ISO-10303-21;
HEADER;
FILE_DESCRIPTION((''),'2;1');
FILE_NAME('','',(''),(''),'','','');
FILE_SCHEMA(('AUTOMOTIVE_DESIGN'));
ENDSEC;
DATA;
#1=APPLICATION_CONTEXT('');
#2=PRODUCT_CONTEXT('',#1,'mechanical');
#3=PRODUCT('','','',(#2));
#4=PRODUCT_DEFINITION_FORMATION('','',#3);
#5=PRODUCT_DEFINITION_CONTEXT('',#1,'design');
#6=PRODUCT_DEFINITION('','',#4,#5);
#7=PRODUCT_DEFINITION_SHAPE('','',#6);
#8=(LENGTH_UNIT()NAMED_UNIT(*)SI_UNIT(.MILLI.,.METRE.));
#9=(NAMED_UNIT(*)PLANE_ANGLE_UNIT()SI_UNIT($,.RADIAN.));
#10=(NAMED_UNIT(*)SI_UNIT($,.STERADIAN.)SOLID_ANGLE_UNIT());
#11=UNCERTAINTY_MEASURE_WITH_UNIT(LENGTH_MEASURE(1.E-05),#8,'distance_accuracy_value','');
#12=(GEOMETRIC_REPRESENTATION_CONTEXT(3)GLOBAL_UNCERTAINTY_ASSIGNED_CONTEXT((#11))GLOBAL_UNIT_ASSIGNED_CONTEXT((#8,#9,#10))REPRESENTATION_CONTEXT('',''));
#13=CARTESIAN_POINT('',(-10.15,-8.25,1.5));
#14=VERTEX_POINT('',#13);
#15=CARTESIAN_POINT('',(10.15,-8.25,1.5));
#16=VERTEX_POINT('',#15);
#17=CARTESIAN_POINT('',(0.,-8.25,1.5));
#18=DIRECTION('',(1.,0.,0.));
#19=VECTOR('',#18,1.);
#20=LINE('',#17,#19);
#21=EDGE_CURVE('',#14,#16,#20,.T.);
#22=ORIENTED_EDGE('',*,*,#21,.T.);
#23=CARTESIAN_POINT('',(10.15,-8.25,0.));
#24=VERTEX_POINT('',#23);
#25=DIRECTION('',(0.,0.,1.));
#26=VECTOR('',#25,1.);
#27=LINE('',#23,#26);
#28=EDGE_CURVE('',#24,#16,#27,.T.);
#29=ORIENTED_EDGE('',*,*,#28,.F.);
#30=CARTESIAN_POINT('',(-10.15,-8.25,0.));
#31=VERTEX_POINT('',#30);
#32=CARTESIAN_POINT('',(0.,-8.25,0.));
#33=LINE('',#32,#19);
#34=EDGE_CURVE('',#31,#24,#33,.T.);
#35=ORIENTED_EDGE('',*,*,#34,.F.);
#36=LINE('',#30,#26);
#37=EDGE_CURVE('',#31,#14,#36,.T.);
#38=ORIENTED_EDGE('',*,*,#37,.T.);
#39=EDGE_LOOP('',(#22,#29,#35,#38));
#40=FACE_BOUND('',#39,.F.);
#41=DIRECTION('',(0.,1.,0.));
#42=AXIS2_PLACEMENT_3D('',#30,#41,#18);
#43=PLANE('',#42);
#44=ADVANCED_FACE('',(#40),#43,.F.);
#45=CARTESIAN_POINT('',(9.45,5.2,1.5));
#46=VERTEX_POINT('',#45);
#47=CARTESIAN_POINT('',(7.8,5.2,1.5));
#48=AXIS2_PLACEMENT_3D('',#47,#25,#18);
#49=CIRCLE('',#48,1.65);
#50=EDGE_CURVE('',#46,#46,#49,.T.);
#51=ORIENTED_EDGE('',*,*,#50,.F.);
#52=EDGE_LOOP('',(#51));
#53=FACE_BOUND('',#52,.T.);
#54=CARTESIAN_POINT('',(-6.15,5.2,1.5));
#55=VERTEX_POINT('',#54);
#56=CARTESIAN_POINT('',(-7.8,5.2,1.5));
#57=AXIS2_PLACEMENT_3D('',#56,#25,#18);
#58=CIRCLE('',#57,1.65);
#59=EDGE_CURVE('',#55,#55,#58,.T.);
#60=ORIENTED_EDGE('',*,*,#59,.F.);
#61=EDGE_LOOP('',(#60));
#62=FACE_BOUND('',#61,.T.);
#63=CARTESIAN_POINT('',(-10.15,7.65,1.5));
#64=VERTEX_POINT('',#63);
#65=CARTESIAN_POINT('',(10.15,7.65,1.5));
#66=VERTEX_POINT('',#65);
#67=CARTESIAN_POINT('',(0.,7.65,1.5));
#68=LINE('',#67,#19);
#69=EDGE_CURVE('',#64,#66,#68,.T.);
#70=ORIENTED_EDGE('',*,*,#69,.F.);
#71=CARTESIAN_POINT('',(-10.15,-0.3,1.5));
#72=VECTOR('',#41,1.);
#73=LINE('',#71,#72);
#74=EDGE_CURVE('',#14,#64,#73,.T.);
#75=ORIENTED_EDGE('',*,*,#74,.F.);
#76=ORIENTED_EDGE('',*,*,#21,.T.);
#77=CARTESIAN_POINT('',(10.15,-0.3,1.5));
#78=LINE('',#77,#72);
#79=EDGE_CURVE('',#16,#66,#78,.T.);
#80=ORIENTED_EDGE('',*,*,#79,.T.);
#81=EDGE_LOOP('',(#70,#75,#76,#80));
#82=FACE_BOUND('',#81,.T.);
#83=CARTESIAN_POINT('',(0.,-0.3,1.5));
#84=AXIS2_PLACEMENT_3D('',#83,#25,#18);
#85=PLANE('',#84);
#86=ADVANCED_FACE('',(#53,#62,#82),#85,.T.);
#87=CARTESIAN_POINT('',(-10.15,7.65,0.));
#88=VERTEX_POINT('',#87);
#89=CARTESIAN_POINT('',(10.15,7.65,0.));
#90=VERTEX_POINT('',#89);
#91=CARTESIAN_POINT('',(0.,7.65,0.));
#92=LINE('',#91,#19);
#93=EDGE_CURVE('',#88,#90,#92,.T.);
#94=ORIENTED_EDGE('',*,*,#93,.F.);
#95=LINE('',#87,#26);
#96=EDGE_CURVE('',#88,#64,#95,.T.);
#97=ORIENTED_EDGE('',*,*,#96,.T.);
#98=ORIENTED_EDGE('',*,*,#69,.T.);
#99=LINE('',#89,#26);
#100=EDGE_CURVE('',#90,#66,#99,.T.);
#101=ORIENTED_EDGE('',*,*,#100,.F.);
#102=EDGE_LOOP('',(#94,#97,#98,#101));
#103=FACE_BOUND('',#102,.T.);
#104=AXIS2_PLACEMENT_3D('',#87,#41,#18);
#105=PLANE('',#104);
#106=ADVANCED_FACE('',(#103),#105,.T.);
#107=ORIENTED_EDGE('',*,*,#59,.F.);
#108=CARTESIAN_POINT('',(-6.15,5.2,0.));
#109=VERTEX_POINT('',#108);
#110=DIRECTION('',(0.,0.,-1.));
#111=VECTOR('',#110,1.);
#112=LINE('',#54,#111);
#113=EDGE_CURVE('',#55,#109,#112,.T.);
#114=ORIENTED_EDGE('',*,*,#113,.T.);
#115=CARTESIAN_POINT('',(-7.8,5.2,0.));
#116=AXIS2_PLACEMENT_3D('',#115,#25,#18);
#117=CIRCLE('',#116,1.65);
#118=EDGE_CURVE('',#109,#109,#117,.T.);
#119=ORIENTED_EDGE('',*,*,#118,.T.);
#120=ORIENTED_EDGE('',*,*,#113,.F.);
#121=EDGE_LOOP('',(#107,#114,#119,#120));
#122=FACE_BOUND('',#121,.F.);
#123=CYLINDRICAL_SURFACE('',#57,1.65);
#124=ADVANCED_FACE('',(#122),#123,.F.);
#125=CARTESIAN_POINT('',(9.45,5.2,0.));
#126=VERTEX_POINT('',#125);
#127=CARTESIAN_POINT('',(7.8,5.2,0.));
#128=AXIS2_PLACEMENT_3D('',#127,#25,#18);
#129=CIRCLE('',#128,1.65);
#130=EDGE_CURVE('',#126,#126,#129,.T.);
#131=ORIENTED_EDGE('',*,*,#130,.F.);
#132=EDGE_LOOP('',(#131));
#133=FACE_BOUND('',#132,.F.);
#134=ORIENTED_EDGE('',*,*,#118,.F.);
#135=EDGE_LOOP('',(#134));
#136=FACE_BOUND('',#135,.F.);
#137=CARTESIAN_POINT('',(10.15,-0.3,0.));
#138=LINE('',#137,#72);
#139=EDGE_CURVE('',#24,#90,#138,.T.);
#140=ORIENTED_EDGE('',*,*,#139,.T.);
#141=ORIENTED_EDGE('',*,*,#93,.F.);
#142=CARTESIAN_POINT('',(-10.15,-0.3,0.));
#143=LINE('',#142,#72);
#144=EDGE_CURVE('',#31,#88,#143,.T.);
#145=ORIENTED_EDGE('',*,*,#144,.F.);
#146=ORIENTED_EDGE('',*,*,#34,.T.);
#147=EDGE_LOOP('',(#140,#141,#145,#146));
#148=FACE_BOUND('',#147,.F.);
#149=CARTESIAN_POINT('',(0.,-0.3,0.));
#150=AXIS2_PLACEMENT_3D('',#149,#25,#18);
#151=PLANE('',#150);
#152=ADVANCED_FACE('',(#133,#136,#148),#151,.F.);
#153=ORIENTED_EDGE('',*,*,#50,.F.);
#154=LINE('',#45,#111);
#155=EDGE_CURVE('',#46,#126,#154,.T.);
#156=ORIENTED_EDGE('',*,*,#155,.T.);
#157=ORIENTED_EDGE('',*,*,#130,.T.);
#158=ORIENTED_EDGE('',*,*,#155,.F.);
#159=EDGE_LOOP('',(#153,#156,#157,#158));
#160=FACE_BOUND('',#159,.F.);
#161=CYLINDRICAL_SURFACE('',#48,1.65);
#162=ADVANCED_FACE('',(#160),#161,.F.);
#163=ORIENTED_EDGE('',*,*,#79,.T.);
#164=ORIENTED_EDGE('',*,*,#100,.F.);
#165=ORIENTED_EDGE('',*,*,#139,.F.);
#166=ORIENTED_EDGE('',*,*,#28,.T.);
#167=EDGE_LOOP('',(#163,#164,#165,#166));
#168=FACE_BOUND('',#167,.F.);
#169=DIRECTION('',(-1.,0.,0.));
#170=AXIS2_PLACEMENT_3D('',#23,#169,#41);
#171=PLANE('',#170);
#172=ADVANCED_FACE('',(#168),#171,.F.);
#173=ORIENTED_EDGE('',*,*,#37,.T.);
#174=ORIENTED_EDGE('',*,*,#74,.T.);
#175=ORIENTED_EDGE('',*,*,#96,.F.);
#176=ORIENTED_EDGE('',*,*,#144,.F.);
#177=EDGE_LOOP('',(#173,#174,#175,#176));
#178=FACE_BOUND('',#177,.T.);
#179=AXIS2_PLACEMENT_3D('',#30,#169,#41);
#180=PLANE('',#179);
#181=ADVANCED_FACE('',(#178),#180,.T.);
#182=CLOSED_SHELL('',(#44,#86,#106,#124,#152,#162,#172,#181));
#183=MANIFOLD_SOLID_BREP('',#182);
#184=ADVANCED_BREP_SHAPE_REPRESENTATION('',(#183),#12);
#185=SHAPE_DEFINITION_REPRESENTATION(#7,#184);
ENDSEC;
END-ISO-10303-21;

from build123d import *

# Parameters (mm, degrees)
SKETCH_W     = 20.3
SKETCH_H     = 15.9
PAD_DEPTH    = 1.5
SKETCH001_R  = 1.65
POCKET_DEPTH = 5


with BuildPart() as part:
    # Sketch → Pad (new body)
    with BuildSketch(Plane.XY):
        with Locations((0, -0.3)):
            Rectangle(SKETCH_W, SKETCH_H)
    extrude(amount=PAD_DEPTH)

    # Sketch001 (on Face6 of Pad) → Pocket (cut)
    with BuildSketch(Plane.XY.offset(1.5)):
        with Locations((-7.8, 5.2)):
            Circle(SKETCH001_R)
        with Locations((7.8, 5.2)):
            Circle(SKETCH001_R)
    extrude(amount=-POCKET_DEPTH, mode=Mode.SUBTRACT)


solid = part.part
